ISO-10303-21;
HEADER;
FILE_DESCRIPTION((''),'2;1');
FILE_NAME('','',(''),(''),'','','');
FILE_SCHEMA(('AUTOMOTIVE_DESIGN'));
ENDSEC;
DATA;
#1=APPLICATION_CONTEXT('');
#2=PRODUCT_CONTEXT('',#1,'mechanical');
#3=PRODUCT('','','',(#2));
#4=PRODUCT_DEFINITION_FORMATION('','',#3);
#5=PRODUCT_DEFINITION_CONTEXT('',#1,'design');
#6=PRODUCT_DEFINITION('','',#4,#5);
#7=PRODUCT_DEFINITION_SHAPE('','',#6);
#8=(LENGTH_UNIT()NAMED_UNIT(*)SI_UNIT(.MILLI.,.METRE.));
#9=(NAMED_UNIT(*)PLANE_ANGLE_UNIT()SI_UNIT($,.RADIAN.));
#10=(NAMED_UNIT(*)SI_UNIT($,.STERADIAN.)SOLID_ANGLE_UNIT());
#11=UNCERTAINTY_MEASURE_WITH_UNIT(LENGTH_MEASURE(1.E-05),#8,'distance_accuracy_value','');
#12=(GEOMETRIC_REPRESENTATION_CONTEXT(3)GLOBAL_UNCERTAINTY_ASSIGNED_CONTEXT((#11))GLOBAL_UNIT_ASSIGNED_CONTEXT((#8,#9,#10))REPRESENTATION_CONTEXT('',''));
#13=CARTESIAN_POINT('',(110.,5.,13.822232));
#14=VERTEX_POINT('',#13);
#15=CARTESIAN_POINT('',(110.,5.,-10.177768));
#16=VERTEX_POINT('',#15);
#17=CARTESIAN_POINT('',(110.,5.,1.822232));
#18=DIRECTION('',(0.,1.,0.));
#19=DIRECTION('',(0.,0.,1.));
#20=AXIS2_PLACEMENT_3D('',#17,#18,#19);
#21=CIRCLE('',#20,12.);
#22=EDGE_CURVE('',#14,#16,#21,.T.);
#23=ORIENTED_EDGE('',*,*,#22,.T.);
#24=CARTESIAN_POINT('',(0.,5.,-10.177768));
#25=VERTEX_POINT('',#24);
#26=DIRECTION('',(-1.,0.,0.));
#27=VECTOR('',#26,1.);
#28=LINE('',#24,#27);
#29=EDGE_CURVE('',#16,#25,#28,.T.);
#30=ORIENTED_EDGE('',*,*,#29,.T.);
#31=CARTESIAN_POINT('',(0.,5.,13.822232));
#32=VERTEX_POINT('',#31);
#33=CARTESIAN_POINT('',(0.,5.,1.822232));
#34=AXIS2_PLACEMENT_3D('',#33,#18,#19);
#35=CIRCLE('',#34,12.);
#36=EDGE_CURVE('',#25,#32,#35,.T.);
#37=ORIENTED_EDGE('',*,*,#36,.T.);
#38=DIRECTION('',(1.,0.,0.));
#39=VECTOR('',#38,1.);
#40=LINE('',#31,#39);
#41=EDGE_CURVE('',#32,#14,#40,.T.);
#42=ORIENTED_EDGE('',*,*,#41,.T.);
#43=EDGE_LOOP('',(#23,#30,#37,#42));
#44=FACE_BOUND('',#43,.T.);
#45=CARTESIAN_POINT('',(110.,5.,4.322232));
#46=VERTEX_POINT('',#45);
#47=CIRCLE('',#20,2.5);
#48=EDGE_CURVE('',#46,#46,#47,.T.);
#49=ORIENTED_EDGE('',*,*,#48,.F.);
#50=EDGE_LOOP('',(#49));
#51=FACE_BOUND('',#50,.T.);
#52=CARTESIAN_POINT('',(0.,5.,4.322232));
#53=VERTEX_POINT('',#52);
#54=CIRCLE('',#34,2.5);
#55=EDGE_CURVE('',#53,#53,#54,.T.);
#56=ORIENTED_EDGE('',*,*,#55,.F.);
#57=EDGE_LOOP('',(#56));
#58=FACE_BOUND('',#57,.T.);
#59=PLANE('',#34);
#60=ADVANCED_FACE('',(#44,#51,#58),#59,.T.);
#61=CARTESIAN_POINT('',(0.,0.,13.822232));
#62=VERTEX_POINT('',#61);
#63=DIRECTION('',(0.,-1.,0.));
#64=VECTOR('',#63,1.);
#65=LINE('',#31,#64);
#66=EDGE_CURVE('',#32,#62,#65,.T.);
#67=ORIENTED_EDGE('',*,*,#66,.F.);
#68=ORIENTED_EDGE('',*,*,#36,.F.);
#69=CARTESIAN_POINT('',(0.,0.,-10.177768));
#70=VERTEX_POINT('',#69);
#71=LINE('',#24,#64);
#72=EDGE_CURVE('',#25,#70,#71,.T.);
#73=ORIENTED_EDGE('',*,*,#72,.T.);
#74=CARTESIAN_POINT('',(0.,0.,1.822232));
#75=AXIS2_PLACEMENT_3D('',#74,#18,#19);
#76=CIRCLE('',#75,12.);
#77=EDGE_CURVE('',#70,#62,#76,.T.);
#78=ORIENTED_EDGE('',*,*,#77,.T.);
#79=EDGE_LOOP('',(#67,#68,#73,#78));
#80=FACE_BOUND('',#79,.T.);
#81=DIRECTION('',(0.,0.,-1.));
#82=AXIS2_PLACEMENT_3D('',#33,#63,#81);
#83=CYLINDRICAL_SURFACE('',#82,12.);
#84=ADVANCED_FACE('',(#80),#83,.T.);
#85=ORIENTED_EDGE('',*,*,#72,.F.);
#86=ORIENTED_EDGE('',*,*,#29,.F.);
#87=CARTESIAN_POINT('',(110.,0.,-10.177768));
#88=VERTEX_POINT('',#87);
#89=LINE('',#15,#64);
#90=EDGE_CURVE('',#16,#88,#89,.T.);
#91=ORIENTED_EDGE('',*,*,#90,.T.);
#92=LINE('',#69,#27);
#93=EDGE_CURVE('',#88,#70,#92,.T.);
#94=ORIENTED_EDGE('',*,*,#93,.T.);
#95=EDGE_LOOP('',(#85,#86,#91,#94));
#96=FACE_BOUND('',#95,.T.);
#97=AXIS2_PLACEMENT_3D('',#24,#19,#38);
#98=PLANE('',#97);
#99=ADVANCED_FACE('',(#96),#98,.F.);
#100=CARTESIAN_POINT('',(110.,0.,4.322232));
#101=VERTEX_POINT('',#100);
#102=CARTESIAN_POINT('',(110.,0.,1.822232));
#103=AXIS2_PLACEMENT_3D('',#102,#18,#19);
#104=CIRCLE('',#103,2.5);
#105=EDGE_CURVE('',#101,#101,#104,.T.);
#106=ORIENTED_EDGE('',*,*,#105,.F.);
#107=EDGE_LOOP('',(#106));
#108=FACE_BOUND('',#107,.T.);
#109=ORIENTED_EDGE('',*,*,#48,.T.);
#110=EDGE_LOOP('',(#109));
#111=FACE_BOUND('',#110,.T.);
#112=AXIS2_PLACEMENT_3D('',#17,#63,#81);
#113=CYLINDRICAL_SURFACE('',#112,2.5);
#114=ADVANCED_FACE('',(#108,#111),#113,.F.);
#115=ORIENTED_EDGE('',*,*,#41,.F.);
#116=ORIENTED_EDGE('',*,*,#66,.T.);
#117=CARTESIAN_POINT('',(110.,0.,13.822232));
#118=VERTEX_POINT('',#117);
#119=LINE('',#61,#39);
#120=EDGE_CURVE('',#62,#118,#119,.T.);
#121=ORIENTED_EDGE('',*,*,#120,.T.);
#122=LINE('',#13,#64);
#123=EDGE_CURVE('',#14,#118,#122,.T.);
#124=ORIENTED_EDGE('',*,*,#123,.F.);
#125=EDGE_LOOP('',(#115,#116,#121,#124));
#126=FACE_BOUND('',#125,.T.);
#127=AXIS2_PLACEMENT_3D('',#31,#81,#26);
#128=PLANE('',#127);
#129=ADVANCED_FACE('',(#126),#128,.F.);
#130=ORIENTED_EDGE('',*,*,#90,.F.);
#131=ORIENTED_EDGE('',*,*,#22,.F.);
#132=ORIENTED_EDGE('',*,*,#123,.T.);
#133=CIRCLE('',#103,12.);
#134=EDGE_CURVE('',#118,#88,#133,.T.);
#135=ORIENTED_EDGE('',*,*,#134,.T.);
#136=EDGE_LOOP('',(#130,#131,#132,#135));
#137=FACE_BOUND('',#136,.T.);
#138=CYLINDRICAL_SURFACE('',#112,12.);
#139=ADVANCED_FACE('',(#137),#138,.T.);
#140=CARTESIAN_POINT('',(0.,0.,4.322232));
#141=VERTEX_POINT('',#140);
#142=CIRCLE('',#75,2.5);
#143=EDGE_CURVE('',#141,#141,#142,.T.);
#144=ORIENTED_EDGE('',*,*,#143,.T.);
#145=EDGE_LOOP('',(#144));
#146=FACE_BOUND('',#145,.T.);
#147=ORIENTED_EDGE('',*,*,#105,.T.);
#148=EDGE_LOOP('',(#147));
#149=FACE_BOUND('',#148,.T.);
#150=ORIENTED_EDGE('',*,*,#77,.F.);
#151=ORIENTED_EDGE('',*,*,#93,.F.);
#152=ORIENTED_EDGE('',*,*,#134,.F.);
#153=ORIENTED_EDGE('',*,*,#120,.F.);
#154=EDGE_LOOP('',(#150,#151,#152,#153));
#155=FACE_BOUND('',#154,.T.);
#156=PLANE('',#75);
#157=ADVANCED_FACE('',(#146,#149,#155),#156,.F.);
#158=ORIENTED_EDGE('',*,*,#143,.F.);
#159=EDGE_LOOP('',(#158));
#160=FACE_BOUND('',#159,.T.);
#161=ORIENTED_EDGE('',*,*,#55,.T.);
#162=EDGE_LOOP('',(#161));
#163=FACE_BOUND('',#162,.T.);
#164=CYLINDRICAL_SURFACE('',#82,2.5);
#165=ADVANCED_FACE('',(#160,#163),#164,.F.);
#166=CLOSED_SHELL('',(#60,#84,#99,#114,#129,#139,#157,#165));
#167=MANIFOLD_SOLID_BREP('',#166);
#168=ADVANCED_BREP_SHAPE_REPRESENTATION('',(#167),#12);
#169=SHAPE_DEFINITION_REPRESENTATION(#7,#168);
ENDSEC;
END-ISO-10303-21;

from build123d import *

# Parameters (mm, degrees)
SKETCH_1_R      = 2.5
EXTRUDE_1_DEPTH = 5


with BuildPart() as part:
    # Эскиз1 → Вытянуть1 (new body)
    with BuildSketch(Plane(origin=(0, 0, 0), x_dir=(1, 0, 0), z_dir=(0, 1, 0))):
        with BuildLine():
            Line((0, 10.177767955), (110, 10.177767955))
            ThreePointArc((110, 10.177767955), (122, -1.822232045), (110, -13.822232045))
            Line((110, -13.822232045), (0, -13.822232045))
            ThreePointArc((0, -13.822232045), (-12, -1.822232045), (0, 10.177767955))
        make_face()
        with Locations(Location((0, -1.822232045, 0), (0, 0, 270))):
            Circle(SKETCH_1_R, mode=Mode.SUBTRACT)
        with Locations(Location((110, -1.822232045, 0), (0, 0, 270))):
            Circle(SKETCH_1_R, mode=Mode.SUBTRACT)
    extrude(amount=EXTRUDE_1_DEPTH)


solid = part.part
